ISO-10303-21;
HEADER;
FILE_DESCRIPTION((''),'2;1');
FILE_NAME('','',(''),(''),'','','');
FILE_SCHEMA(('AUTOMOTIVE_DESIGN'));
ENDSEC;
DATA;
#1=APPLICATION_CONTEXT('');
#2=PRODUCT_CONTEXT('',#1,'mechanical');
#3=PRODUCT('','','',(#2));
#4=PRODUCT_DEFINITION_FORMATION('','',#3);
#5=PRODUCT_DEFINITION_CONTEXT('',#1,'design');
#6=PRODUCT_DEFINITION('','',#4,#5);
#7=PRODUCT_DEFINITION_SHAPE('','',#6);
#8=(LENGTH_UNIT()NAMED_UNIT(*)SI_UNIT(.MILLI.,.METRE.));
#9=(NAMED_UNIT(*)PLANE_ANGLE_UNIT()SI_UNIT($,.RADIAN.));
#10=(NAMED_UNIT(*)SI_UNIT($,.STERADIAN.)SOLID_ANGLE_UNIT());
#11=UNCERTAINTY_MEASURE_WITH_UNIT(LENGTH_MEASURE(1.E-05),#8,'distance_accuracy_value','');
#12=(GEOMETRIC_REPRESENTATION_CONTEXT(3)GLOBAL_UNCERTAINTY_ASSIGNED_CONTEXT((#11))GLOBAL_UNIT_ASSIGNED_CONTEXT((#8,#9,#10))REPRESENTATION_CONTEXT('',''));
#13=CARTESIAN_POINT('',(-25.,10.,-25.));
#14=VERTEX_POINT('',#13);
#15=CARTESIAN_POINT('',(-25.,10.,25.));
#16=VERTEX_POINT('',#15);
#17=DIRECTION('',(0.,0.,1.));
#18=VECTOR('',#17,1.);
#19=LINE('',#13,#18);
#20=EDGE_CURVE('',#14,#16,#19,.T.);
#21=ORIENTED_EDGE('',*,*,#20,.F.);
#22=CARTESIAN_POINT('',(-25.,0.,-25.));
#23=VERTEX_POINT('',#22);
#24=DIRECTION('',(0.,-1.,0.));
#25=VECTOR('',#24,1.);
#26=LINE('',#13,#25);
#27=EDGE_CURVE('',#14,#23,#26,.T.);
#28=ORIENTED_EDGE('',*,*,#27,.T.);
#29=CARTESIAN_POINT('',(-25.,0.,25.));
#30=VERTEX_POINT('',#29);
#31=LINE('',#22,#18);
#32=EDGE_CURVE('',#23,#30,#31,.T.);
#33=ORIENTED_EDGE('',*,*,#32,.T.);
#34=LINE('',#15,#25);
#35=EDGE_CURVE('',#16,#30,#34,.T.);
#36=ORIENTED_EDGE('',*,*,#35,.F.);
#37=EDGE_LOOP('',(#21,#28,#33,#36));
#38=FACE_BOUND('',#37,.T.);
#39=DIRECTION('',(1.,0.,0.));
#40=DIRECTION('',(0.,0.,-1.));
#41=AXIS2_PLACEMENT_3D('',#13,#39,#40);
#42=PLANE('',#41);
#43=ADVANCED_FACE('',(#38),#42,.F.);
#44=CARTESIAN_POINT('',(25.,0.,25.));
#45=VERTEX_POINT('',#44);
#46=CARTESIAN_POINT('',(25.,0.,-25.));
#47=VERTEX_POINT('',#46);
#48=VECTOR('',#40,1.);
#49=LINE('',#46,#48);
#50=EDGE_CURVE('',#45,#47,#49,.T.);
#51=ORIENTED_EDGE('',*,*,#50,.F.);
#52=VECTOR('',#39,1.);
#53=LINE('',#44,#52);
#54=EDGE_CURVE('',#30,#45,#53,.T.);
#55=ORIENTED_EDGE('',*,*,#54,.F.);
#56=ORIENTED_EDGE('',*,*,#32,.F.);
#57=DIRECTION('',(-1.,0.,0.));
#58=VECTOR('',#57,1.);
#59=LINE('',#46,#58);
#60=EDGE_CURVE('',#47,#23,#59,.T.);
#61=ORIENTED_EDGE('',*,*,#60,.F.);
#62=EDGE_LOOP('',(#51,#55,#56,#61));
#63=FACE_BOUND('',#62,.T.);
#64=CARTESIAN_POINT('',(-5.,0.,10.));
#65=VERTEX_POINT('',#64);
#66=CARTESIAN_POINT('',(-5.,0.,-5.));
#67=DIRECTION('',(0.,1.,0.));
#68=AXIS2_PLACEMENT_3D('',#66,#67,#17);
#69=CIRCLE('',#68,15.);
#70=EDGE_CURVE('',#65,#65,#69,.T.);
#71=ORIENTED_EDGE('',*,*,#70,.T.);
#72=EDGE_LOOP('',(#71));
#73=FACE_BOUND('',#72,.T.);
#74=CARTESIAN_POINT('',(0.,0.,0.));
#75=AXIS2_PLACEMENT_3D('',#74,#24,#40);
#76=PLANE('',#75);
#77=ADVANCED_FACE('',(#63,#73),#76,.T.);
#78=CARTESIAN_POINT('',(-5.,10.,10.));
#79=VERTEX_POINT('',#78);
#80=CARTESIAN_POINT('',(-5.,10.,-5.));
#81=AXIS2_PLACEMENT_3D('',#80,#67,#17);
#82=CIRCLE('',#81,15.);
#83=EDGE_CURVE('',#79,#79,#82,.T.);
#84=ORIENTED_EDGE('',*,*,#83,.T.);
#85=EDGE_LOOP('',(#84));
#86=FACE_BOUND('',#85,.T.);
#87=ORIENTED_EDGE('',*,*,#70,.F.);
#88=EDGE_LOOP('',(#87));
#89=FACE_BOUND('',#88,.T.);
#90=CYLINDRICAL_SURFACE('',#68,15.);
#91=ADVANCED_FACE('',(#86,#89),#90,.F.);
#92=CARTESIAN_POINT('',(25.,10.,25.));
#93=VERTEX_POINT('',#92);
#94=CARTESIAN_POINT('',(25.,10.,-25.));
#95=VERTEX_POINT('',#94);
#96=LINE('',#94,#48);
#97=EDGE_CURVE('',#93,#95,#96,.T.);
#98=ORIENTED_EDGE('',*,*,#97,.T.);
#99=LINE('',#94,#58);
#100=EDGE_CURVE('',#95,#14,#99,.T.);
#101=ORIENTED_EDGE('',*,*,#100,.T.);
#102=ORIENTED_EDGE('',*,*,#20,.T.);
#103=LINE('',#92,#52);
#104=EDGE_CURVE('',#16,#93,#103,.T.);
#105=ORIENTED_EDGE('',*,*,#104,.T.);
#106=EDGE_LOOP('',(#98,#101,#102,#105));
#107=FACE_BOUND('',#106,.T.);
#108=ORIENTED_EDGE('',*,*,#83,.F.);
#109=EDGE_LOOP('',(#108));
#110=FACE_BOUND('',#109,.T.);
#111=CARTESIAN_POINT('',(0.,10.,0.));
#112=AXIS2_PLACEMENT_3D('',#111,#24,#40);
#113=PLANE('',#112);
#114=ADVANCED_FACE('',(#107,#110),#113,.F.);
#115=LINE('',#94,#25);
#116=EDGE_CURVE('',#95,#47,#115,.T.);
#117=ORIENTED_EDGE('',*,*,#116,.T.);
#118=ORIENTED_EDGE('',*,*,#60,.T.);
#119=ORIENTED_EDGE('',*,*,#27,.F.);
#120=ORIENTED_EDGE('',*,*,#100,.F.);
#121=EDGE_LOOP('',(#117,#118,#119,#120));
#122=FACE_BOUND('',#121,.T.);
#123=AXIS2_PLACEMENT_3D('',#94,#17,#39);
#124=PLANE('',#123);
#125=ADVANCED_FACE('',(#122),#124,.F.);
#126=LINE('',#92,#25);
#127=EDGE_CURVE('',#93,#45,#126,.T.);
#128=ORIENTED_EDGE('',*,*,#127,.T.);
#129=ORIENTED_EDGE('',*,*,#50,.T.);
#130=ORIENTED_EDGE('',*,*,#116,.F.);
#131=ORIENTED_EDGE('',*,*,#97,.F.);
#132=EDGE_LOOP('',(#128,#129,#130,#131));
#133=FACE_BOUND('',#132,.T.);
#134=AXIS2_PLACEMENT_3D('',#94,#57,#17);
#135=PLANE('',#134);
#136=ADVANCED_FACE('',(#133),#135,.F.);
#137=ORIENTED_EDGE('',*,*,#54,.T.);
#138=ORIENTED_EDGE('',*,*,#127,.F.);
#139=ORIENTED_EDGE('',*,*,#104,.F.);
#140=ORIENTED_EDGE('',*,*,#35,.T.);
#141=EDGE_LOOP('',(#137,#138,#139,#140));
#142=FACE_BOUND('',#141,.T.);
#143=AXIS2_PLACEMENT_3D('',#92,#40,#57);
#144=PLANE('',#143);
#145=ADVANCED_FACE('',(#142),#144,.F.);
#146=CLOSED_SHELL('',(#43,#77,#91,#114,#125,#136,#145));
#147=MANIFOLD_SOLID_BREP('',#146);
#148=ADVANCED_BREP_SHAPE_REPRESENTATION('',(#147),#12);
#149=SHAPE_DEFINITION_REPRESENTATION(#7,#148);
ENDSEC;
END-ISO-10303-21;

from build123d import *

# Parameters (mm, degrees)
SKETCH1_W           = 50
SKETCH1_H           = 50
BOSS_EXTRUDE1_DEPTH = 10
SKETCH3_R           = 15
CUT_EXTRUDE1_DEPTH  = 10


with BuildPart() as part:
    # Sketch1 → Boss-Extrude1 (new body)
    with BuildSketch(Plane(origin=(0, 0, 0), x_dir=(1, 0, 0), z_dir=(0, 1, 0))):
        Rectangle(SKETCH1_W, SKETCH1_H)
    extrude(amount=BOSS_EXTRUDE1_DEPTH)

    # Sketch3 → Cut-Extrude1 (cut)
    with BuildSketch(Plane(origin=(0, 10, 0), x_dir=(1, 0, 0), z_dir=(0, 1, 0))):
        with Locations(Location((-5, 5, 0), (0, 0, 270))):
            Circle(SKETCH3_R)
    extrude(amount=-CUT_EXTRUDE1_DEPTH, mode=Mode.SUBTRACT)


solid = part.part
